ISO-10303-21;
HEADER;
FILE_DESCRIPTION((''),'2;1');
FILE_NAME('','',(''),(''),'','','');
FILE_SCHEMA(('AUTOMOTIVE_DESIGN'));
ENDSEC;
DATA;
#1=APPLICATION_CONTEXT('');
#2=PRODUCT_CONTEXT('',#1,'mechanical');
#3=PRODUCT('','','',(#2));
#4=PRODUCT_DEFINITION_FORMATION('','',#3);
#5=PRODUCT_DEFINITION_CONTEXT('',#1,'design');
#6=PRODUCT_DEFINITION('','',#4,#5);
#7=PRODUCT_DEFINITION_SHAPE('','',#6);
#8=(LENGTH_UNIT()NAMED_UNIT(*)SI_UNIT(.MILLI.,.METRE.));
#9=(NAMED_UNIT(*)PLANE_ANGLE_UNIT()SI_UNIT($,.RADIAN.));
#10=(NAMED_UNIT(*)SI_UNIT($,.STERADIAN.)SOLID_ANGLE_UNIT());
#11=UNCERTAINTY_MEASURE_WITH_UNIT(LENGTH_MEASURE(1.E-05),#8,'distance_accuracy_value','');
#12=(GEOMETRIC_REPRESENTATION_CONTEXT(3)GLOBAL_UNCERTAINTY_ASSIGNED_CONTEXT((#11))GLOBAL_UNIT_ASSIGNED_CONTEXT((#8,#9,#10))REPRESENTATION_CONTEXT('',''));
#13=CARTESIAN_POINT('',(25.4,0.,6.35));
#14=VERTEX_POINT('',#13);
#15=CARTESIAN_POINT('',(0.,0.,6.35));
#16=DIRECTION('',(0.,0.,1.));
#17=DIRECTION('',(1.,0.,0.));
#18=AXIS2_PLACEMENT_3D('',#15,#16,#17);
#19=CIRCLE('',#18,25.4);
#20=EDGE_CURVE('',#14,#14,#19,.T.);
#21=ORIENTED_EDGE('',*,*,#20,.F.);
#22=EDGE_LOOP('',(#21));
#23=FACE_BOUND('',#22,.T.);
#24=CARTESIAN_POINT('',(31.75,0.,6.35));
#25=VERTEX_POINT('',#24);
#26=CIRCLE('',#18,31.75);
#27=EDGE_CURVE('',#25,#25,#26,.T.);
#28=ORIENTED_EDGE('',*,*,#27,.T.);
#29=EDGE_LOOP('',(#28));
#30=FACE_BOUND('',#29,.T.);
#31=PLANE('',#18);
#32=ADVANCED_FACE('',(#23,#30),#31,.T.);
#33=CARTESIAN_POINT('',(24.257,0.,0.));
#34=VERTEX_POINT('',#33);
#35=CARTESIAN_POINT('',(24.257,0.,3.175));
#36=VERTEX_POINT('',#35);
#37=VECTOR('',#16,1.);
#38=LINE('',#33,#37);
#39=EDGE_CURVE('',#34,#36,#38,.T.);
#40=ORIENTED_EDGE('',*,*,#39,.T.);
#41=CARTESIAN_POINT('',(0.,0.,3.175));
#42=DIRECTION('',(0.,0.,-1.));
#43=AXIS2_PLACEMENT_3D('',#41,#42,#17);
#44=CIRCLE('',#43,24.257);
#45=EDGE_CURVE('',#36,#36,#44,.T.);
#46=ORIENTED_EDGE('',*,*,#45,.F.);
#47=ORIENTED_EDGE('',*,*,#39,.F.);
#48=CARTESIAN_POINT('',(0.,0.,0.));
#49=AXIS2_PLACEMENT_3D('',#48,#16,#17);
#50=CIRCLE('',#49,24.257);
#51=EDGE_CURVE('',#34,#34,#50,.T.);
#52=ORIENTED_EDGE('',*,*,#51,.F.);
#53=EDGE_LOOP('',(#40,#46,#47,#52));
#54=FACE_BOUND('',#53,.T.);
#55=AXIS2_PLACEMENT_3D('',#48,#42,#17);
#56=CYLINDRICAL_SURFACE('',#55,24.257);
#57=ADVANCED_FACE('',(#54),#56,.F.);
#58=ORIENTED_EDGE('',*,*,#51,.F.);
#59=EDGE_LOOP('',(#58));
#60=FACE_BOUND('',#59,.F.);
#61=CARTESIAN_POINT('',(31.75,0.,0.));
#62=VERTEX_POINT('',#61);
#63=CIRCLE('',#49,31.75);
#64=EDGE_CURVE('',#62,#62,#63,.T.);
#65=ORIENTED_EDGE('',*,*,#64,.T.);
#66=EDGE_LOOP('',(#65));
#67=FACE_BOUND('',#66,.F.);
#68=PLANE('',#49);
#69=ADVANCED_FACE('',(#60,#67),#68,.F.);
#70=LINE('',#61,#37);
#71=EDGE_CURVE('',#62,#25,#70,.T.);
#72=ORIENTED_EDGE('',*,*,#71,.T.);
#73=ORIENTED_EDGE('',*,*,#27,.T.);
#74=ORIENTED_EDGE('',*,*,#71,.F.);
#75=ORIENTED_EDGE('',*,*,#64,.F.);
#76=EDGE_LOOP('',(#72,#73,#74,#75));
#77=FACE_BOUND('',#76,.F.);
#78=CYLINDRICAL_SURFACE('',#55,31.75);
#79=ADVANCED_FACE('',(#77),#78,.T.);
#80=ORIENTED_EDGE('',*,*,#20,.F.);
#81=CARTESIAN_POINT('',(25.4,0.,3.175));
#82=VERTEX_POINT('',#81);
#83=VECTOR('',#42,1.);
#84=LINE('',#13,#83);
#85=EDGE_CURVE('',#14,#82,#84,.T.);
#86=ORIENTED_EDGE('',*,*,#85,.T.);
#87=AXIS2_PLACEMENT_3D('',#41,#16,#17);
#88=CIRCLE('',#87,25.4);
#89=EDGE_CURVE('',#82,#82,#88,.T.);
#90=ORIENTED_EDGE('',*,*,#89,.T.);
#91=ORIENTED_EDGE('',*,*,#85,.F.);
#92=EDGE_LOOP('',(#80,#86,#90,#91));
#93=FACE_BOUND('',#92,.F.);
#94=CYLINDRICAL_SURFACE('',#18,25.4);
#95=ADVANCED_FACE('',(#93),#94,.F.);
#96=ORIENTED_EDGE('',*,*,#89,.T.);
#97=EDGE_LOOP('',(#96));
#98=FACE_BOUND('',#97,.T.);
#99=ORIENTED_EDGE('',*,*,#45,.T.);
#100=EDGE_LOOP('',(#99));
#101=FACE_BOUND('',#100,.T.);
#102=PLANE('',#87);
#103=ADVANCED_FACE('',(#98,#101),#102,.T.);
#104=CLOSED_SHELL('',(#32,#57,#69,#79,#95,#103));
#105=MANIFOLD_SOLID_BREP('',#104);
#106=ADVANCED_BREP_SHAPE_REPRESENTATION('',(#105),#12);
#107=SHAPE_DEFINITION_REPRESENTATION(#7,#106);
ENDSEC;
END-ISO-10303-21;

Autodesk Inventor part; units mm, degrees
ref_plane "YZ Plane" through (0, 0, 0) normal (1, 0, 0) x (0, 1, 0)
ref_plane "XZ Plane" through (0, 0, 0) normal (0, 1, 0) x (-1, 0, 0)
ref_plane "XY Plane" through (0, 0, 0) normal (0, 0, 1) x (1, 0, 0)
sketch "Sketch1" plane through (0, 0, 0) normal (0, 0, 1) x (1, 0, 0)
  circle A0 centre (0, 0) radius 24.257
  circle A1 centre (0, 0) radius 31.75
  dimension "d0" = 48.514
  dimension "d1" = 63.5
extrude "Extrusion1" add sketch "Sketch1" along normal blind 6.35
sketch "Sketch2" plane through (0, 0, 6.35) normal (0, 0, 1) x (1, 0, 0)
  circle A0 centre (0, 0) radius 24.257 projected
  circle A1 centre (0, 0) radius 25.4
  dimension "d4" = 50.8
extrude "Extrusion2" cut sketch "Sketch2" against normal blind 3.175 contours A0 | A1
properties part number "FemaleFlange_3DPrint"
